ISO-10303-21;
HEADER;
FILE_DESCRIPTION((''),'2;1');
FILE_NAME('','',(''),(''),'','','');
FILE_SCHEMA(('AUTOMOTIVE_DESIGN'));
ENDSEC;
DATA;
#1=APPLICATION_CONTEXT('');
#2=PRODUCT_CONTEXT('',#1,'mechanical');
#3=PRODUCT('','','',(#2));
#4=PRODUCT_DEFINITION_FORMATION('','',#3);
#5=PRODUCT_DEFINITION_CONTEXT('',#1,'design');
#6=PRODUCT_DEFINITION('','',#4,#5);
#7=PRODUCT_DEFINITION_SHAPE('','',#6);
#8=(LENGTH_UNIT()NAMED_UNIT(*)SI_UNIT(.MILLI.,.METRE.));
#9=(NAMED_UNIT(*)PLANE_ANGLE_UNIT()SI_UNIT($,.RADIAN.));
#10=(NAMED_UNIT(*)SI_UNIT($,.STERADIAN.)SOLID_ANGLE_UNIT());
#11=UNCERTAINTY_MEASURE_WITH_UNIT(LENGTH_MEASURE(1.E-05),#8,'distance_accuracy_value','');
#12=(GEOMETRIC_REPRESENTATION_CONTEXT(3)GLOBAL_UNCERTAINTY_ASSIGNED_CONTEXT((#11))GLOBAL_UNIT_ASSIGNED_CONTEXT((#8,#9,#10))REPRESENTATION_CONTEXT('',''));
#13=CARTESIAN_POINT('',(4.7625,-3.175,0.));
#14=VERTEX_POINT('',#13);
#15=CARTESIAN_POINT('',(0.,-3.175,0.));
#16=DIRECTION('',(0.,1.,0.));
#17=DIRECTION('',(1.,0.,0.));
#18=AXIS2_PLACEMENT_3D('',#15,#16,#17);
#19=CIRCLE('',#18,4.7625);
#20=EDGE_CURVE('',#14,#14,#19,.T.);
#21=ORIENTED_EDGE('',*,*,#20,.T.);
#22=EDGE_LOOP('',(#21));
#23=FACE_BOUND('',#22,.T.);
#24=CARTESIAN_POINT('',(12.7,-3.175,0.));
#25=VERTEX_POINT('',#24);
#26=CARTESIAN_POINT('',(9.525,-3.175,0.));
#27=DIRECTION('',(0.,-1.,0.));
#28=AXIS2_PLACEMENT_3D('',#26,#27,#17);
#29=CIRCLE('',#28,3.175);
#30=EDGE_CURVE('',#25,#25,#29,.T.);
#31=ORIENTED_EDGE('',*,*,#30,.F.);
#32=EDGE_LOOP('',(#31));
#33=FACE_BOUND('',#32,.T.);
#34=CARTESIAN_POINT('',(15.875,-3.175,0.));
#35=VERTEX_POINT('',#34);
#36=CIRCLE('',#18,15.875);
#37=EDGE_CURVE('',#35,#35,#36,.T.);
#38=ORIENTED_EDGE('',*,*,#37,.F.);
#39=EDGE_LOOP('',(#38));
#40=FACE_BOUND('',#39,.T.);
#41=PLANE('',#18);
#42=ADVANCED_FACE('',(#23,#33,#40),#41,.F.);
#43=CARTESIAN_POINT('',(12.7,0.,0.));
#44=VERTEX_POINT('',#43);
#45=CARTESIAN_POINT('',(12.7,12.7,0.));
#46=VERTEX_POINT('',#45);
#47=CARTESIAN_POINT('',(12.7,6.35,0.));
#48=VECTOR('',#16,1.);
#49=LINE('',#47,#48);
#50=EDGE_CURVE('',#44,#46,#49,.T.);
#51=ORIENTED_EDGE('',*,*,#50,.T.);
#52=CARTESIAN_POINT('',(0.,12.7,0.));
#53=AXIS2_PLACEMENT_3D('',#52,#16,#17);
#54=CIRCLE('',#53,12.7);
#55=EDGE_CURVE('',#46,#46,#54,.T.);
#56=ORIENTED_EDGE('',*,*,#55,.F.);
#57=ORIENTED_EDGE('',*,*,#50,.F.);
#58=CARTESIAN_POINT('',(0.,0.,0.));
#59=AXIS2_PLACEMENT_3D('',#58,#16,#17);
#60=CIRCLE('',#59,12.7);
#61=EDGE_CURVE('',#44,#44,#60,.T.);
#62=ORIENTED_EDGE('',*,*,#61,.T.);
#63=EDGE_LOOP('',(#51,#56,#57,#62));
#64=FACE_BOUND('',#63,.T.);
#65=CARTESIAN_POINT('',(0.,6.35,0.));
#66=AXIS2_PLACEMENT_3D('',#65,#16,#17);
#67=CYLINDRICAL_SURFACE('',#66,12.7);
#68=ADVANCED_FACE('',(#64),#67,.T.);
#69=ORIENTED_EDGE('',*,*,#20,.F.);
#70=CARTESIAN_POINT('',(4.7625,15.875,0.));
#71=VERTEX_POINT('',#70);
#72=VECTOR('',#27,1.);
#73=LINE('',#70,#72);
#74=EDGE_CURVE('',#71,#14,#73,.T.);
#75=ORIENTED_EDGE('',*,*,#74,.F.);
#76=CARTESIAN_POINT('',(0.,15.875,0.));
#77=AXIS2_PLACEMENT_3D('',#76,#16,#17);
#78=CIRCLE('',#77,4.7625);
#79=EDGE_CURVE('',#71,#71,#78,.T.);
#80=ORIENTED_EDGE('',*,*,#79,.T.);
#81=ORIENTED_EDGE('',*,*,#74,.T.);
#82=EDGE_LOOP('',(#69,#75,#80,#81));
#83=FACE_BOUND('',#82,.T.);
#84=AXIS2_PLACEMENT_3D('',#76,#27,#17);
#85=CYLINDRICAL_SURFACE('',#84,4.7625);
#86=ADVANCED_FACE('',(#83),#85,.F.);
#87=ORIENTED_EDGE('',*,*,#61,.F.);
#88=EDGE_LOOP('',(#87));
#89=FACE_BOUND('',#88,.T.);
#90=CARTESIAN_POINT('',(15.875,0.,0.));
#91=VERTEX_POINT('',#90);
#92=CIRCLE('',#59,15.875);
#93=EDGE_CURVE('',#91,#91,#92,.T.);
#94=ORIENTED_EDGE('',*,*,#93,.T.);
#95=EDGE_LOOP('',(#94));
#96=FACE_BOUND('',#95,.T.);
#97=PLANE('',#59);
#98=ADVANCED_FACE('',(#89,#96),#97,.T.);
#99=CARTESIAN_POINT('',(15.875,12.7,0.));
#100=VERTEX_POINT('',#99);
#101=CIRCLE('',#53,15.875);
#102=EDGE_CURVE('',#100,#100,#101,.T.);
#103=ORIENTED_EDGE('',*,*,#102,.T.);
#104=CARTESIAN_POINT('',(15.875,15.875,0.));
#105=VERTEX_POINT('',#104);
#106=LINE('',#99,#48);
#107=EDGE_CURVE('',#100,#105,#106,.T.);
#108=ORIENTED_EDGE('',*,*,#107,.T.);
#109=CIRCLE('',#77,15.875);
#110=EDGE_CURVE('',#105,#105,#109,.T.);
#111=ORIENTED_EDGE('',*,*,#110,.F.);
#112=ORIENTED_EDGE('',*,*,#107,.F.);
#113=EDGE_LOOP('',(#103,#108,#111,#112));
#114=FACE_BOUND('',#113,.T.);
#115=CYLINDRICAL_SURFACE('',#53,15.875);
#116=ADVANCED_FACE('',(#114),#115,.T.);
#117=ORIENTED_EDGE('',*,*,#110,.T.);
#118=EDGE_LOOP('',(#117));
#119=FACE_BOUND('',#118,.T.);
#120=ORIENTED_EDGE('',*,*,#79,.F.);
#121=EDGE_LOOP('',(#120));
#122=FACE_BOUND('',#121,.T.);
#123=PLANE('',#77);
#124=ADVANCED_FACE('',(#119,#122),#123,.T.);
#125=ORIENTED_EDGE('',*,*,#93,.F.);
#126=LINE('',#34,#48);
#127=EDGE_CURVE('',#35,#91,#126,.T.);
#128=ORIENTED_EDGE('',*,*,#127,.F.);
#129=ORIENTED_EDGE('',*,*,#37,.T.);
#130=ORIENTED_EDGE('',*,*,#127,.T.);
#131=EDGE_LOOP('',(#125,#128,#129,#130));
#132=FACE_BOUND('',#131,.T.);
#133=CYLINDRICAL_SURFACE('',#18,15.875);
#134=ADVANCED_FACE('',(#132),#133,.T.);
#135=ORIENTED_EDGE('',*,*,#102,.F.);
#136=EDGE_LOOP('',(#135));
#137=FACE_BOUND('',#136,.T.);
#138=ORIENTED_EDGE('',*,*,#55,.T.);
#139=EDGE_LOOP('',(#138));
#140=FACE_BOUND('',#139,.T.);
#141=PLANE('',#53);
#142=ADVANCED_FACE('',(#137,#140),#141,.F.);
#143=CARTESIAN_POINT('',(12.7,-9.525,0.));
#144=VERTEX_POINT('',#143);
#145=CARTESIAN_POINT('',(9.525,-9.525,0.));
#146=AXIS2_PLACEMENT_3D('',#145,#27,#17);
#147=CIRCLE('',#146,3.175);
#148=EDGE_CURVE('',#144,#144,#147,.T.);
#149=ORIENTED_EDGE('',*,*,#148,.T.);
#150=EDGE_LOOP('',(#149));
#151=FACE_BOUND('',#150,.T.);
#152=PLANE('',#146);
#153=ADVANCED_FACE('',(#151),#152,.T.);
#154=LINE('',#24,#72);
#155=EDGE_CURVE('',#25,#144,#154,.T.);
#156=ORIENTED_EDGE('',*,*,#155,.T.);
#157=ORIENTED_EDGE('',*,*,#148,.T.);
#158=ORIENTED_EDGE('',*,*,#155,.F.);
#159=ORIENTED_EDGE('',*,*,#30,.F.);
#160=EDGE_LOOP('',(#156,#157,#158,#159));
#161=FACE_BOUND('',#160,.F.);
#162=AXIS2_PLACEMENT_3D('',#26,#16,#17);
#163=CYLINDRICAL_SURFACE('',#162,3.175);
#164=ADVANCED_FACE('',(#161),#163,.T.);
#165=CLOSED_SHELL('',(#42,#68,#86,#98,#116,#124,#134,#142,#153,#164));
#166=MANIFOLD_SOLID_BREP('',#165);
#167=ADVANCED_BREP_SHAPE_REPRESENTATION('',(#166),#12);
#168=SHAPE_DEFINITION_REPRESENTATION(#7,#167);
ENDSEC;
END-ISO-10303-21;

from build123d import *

# Parameters (mm, degrees)
F0_W     = 7.9375
F0_H     = 12.7
F2_R     = 3.175
F3_DEPTH = 6.35


with BuildPart() as f1:
    # F0 (on Top) → F1 (revolve)
    with BuildSketch(Plane.XY):
        Polygon((12.7, 0), (4.7625, 0), (4.7625, -3.175), (15.875, -3.175), (15.875, 0), align=None)
        with Locations((8.73125, 6.35)):
            Rectangle(F0_W, F0_H)
        Polygon((4.7625, 15.875), (4.7625, 12.7), (12.7, 12.7), (15.875, 12.7), (15.875, 15.875), align=None)
    revolve(axis=Axis((0, 17.413363, 0), (0, 1, 0)))

    # F2 (on face) → F3 (join)
    with BuildSketch(Plane.XZ.offset(3.175)):
        with Locations((9.525, 0)):
            Circle(F2_R)
    extrude(amount=F3_DEPTH)


solid = f1.part
